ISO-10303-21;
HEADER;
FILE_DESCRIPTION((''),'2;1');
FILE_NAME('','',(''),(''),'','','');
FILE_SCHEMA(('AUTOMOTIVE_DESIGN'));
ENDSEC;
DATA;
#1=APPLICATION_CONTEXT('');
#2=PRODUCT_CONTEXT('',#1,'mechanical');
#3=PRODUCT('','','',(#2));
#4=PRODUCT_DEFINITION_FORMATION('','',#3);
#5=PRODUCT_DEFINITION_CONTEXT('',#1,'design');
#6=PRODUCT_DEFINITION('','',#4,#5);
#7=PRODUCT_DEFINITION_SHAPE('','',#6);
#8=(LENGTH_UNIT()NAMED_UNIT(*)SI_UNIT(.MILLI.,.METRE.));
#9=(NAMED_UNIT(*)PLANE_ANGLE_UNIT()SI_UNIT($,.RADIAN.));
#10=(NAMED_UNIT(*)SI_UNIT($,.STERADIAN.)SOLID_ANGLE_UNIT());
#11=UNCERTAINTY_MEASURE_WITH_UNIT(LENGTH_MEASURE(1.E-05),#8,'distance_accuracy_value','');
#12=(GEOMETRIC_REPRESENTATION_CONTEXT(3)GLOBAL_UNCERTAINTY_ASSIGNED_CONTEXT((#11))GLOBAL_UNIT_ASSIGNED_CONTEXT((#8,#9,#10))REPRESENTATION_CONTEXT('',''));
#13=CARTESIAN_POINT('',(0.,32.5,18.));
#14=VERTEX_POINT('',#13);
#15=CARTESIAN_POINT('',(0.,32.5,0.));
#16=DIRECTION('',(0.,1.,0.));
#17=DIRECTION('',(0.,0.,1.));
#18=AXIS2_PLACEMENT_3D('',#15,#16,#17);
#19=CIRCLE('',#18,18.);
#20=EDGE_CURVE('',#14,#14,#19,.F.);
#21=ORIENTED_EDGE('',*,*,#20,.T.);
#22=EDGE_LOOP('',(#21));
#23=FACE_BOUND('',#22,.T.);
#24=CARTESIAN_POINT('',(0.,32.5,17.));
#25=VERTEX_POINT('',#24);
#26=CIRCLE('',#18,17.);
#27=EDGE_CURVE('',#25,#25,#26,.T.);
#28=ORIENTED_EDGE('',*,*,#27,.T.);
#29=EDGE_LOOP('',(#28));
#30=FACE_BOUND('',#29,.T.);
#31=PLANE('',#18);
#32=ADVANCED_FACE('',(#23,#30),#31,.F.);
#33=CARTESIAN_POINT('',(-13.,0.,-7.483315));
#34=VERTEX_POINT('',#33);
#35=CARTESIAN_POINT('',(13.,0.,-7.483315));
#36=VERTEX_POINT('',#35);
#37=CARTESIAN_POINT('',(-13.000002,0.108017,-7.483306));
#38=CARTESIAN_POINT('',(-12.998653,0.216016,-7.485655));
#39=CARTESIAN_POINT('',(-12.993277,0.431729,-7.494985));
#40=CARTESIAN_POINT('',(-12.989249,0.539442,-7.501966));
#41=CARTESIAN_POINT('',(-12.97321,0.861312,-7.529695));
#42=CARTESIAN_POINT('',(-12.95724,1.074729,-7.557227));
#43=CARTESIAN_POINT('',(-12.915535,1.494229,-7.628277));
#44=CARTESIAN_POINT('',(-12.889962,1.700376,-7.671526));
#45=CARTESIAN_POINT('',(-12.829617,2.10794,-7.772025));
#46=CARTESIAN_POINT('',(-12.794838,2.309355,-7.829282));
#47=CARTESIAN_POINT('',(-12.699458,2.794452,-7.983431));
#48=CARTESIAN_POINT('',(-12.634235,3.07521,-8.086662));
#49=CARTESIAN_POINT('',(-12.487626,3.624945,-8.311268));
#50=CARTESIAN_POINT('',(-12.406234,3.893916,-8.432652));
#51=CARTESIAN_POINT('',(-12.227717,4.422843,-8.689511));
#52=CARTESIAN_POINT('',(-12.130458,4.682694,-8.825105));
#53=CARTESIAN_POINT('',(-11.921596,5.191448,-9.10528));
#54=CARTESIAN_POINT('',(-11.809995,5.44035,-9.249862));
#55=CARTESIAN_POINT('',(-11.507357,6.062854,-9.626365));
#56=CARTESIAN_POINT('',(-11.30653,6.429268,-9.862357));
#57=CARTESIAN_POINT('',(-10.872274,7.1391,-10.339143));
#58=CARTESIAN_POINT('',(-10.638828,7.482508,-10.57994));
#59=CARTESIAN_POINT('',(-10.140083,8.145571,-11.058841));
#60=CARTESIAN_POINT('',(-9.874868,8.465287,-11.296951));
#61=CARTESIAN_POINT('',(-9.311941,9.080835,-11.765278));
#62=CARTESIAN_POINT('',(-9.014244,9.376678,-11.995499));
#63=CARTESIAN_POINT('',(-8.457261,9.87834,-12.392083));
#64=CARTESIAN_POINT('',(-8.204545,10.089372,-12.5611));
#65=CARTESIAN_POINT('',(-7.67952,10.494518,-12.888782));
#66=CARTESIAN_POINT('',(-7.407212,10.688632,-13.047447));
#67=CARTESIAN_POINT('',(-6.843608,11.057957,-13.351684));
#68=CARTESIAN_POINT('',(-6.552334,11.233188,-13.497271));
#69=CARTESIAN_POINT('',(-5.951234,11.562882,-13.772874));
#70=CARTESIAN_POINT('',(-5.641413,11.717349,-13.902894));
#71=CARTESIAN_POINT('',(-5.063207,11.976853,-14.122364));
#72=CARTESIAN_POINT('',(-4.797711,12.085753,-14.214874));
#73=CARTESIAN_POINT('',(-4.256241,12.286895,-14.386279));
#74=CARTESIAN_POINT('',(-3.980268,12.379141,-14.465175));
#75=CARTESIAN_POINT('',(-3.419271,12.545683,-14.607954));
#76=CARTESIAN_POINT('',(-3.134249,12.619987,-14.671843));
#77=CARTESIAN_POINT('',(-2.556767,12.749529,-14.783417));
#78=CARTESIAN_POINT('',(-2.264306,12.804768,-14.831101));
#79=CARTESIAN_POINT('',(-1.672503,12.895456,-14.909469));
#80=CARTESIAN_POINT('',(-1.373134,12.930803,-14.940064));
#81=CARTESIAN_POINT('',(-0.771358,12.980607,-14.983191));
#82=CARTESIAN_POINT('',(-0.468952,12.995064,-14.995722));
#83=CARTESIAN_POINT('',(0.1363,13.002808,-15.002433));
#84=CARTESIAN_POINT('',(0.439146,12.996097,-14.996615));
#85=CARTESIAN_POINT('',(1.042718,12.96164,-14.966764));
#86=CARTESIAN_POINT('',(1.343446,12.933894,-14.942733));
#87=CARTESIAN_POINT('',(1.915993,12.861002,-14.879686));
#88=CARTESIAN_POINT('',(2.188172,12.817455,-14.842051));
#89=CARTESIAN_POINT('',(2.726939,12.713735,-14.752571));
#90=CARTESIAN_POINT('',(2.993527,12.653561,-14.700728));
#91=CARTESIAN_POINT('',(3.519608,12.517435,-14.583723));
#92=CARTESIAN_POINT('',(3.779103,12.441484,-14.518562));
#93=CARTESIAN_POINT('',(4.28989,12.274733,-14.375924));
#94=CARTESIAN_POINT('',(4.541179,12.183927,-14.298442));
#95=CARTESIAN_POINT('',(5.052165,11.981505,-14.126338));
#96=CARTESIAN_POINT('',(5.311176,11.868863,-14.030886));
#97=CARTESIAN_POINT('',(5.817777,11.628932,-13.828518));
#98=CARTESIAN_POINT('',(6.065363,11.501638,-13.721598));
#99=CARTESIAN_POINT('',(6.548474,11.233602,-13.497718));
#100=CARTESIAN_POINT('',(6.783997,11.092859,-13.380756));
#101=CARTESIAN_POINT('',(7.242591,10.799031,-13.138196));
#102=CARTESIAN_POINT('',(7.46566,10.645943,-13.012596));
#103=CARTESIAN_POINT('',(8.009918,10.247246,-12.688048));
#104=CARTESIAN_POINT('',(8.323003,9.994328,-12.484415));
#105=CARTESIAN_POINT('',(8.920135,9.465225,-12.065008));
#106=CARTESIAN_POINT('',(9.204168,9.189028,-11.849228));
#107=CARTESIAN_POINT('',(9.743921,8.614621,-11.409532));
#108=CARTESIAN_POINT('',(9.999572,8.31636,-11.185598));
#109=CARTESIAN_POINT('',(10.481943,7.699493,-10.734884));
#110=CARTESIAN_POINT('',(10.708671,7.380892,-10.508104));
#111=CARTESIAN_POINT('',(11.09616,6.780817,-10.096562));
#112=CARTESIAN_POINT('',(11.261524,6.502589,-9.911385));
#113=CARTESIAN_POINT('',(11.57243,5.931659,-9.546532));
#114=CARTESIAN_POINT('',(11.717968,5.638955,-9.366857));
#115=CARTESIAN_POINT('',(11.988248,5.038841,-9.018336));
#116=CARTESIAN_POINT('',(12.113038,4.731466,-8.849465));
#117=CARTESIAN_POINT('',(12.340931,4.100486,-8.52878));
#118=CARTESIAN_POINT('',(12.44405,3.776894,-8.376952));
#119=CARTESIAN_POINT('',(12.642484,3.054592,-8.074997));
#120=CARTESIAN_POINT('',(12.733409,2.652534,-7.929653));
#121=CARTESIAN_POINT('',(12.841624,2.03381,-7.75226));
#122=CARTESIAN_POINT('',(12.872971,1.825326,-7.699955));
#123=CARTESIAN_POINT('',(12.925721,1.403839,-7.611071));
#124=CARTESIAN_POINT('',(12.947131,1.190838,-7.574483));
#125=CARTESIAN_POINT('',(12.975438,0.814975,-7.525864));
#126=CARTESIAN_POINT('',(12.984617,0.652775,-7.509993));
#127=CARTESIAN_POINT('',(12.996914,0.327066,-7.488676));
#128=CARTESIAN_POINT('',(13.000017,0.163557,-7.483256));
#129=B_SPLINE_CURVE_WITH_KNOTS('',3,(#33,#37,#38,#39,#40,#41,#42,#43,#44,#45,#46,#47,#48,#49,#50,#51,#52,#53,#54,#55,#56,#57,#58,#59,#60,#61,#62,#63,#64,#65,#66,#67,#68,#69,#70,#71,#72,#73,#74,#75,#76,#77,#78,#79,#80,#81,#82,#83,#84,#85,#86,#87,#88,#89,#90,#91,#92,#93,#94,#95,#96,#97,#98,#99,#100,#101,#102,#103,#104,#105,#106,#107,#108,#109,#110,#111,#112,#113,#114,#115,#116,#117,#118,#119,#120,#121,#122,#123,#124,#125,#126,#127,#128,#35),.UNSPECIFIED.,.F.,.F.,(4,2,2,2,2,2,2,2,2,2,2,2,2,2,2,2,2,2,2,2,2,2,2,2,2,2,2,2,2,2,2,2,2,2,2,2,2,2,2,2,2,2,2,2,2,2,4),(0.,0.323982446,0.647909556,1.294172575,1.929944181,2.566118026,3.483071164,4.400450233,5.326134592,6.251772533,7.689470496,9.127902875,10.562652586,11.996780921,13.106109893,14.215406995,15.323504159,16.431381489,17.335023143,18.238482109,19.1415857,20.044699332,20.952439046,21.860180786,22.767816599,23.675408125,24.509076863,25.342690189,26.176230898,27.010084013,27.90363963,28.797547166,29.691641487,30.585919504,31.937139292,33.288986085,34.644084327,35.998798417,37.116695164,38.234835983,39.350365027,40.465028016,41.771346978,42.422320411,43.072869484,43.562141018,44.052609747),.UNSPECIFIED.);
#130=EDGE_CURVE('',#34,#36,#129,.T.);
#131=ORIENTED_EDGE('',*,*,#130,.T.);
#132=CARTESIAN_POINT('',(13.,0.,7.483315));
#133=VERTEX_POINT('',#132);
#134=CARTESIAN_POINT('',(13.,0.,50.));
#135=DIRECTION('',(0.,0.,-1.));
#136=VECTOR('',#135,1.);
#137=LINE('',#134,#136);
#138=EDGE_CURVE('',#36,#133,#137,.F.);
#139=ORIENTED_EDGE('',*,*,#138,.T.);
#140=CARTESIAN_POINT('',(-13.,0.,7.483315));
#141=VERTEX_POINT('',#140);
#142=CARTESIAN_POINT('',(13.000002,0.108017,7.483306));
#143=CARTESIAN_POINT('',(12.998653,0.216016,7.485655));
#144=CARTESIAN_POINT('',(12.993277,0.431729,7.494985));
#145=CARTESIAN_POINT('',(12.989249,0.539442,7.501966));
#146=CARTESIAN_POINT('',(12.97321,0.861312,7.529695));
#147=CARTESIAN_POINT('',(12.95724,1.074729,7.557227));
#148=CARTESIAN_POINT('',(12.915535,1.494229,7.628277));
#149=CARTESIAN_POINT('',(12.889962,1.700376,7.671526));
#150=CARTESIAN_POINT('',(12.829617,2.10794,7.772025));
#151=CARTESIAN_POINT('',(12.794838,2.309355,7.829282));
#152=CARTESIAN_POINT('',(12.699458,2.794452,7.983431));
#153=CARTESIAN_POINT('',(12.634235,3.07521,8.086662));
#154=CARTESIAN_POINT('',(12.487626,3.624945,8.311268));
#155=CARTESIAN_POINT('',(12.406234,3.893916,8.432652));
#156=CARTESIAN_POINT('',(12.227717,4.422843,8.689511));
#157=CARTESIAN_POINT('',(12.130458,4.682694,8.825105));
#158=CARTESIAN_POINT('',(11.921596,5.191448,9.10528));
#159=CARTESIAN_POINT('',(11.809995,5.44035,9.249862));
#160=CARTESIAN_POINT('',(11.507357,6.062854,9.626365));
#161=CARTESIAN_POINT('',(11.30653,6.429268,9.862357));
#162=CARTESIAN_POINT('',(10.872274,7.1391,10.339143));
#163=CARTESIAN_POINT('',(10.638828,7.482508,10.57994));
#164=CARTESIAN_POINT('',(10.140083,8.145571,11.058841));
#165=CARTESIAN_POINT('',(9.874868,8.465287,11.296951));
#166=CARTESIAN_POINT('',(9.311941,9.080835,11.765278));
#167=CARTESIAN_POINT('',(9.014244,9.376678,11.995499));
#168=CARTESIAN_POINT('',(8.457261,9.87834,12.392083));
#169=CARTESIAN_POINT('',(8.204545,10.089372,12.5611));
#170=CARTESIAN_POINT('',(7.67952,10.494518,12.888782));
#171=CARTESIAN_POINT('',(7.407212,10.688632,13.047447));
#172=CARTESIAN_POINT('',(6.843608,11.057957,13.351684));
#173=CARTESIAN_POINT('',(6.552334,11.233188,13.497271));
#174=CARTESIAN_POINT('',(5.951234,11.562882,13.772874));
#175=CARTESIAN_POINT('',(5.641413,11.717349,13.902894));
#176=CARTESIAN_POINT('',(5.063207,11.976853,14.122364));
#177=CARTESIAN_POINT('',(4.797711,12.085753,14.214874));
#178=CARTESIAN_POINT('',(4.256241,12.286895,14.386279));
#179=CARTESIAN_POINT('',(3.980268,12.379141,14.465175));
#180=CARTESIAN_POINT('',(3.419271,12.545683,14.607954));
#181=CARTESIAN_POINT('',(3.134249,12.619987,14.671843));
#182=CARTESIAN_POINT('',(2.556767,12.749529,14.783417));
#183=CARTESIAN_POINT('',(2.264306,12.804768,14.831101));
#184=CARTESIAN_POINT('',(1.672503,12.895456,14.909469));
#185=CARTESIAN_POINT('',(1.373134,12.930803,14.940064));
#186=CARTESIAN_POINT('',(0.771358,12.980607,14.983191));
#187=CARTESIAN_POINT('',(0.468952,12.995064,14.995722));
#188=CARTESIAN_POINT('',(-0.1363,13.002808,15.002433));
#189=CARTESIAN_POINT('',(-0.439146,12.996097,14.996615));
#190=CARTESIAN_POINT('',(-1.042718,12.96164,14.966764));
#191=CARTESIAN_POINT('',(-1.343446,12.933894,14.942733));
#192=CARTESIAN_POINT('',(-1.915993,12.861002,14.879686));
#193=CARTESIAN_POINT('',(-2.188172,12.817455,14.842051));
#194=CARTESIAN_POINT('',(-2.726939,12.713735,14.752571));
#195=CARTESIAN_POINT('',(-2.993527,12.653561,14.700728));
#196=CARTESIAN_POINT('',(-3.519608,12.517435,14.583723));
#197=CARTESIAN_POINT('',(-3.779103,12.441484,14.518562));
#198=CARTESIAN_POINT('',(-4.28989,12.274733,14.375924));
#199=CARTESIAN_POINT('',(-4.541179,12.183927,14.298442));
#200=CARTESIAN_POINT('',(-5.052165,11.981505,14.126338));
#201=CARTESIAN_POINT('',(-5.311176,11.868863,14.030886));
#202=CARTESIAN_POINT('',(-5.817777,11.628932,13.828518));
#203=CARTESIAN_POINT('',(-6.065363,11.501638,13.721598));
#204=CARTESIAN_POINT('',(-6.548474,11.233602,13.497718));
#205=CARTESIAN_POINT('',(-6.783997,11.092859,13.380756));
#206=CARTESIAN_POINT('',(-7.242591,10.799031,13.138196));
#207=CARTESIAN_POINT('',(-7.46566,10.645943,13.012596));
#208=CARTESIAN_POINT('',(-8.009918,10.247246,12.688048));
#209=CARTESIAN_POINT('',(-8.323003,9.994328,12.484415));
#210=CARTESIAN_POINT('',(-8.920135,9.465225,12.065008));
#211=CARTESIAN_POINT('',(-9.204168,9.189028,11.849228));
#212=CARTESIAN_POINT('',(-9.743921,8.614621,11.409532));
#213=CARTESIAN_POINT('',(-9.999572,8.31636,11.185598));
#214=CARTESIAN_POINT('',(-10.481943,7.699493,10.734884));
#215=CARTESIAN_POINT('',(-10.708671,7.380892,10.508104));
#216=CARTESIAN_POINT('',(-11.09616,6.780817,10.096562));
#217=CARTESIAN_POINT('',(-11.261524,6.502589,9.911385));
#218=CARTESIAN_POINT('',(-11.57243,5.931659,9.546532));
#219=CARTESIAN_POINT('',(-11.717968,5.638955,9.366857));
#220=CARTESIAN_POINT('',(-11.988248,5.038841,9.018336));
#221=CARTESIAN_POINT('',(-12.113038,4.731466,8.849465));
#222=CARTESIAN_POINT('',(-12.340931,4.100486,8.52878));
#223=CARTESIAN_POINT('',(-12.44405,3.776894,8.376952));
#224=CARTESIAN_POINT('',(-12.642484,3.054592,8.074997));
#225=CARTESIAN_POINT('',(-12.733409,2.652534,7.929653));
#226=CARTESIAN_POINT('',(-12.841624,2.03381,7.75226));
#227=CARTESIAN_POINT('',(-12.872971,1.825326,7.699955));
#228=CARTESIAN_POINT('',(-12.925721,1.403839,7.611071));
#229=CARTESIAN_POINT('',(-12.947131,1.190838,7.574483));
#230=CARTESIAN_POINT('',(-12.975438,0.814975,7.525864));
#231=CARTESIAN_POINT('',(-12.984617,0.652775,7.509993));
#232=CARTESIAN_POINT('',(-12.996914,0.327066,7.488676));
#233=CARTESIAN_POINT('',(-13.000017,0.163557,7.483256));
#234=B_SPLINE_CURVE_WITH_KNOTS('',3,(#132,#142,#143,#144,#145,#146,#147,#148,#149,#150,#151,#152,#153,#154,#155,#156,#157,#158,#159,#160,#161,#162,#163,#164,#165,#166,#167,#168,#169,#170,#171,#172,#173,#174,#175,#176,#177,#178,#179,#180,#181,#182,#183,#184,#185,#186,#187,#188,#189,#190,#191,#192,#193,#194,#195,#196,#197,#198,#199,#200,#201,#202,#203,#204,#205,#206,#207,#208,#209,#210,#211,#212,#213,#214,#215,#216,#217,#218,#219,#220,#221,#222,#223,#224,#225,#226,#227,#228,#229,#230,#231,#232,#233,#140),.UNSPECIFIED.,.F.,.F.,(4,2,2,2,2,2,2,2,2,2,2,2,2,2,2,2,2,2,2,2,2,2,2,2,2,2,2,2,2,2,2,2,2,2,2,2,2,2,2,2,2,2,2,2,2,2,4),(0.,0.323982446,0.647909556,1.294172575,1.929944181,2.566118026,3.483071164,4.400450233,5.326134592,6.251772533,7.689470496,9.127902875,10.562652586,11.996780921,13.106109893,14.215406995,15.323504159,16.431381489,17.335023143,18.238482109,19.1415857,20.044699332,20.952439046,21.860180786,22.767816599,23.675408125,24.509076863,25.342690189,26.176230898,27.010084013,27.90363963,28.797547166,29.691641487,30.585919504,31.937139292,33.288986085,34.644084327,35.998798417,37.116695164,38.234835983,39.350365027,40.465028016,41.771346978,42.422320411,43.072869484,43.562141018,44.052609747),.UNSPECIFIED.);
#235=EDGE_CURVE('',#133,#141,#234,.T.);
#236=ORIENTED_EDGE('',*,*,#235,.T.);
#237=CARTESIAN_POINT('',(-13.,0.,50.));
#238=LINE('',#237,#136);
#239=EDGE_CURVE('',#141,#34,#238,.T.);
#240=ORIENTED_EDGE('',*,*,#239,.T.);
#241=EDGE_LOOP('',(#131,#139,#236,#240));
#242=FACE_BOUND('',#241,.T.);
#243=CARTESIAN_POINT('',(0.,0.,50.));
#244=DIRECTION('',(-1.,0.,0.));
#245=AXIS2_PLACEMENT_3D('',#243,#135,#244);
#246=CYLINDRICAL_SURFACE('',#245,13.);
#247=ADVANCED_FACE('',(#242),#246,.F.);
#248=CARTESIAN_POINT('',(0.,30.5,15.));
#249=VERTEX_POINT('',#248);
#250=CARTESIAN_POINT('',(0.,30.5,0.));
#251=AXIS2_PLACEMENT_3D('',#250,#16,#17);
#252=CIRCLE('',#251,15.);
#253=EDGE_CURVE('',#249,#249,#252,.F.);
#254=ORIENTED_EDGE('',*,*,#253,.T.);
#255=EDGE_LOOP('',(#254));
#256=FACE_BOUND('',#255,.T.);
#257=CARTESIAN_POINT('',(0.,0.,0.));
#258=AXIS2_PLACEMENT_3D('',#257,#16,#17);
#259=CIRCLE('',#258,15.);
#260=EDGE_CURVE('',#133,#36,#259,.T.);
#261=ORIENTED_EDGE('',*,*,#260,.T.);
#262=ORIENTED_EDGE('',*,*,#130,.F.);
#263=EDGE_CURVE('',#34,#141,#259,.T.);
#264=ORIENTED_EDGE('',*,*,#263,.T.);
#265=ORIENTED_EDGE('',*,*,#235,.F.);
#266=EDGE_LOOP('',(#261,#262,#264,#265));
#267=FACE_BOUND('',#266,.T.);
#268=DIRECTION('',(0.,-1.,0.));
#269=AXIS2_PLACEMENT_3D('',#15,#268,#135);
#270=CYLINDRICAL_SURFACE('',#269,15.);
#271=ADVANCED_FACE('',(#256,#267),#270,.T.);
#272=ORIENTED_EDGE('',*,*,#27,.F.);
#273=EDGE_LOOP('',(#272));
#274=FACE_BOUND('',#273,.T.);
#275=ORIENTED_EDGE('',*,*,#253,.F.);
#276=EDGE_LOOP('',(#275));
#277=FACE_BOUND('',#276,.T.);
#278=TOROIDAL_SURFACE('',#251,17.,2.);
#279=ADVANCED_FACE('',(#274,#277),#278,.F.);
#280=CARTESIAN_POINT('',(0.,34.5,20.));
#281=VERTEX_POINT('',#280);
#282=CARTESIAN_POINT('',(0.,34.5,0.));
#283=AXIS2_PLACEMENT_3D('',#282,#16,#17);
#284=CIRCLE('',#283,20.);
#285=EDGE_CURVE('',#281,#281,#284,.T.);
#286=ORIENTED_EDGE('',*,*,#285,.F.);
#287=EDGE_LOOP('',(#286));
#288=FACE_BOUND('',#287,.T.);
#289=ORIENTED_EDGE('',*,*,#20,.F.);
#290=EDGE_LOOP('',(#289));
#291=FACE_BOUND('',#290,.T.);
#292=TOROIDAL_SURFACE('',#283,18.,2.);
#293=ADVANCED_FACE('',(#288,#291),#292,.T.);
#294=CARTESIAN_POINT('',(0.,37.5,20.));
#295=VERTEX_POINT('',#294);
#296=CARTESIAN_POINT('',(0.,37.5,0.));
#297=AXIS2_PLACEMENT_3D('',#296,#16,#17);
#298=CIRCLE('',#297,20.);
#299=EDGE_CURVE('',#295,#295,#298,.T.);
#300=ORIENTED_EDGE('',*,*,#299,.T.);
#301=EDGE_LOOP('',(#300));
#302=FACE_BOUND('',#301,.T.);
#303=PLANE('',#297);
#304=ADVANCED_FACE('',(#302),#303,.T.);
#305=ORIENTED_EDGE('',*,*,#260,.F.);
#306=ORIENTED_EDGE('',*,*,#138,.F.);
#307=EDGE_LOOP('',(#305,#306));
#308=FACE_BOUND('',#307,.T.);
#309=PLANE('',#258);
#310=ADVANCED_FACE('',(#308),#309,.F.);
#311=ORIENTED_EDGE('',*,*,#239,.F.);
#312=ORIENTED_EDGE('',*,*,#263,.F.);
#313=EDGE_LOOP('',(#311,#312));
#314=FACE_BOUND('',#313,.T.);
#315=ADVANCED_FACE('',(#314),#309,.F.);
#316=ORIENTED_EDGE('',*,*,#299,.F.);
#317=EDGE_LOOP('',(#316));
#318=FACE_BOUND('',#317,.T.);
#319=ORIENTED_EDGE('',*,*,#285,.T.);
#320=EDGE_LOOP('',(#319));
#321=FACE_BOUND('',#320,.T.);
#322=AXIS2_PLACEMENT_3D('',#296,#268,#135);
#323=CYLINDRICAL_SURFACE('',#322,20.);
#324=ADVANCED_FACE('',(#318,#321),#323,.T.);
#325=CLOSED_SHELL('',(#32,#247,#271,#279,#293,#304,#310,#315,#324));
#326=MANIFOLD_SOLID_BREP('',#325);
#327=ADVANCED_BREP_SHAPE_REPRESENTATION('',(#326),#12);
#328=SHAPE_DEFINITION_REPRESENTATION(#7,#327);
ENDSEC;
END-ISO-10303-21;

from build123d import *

# Parameters (mm, degrees)
SKETCH2_R               = 15
BOSS_EXTRUDE1_DEPTH     = 32.5
CUT_EXTRUDE1_DEPTH      = 50
CUT_EXTRUDE1_DEPTH_BACK = 50
SKETCH3_R               = 13
SKETCH5_R               = 20
BOSS_EXTRUDE2_DEPTH     = 5
FILLET1_R               = 2


with BuildPart() as part:
    # Sketch2 → Boss-Extrude1 (new body)
    with BuildSketch(Plane(origin=(0, 0, 0), x_dir=(1, 0, 0), z_dir=(0, 1, 0))):
        Circle(SKETCH2_R)
    extrude(amount=BOSS_EXTRUDE1_DEPTH)

    # Sketch3 → Cut-Extrude1 (cut, two sides: drawn at the far end of the back side and taken through both)
    with BuildSketch(Plane.XY.offset(-CUT_EXTRUDE1_DEPTH_BACK)):
        Circle(SKETCH3_R)
    extrude(amount=CUT_EXTRUDE1_DEPTH + CUT_EXTRUDE1_DEPTH_BACK, mode=Mode.SUBTRACT)

    # Sketch5 → Boss-Extrude2 (add)
    with BuildSketch(Plane(origin=(0, 32.5, 0), x_dir=(1, 0, 0), z_dir=(0, 1, 0))):
        Circle(SKETCH5_R)
    extrude(amount=BOSS_EXTRUDE2_DEPTH)

    # Fillet1
    fillet1_edges = [part.edges().sort_by_distance(p)[0] for p in [
        (-20, 32.5, 0),
        (-15, 32.5, 0),
    ]]
    fillet(fillet1_edges, radius=FILLET1_R)


solid = part.part
